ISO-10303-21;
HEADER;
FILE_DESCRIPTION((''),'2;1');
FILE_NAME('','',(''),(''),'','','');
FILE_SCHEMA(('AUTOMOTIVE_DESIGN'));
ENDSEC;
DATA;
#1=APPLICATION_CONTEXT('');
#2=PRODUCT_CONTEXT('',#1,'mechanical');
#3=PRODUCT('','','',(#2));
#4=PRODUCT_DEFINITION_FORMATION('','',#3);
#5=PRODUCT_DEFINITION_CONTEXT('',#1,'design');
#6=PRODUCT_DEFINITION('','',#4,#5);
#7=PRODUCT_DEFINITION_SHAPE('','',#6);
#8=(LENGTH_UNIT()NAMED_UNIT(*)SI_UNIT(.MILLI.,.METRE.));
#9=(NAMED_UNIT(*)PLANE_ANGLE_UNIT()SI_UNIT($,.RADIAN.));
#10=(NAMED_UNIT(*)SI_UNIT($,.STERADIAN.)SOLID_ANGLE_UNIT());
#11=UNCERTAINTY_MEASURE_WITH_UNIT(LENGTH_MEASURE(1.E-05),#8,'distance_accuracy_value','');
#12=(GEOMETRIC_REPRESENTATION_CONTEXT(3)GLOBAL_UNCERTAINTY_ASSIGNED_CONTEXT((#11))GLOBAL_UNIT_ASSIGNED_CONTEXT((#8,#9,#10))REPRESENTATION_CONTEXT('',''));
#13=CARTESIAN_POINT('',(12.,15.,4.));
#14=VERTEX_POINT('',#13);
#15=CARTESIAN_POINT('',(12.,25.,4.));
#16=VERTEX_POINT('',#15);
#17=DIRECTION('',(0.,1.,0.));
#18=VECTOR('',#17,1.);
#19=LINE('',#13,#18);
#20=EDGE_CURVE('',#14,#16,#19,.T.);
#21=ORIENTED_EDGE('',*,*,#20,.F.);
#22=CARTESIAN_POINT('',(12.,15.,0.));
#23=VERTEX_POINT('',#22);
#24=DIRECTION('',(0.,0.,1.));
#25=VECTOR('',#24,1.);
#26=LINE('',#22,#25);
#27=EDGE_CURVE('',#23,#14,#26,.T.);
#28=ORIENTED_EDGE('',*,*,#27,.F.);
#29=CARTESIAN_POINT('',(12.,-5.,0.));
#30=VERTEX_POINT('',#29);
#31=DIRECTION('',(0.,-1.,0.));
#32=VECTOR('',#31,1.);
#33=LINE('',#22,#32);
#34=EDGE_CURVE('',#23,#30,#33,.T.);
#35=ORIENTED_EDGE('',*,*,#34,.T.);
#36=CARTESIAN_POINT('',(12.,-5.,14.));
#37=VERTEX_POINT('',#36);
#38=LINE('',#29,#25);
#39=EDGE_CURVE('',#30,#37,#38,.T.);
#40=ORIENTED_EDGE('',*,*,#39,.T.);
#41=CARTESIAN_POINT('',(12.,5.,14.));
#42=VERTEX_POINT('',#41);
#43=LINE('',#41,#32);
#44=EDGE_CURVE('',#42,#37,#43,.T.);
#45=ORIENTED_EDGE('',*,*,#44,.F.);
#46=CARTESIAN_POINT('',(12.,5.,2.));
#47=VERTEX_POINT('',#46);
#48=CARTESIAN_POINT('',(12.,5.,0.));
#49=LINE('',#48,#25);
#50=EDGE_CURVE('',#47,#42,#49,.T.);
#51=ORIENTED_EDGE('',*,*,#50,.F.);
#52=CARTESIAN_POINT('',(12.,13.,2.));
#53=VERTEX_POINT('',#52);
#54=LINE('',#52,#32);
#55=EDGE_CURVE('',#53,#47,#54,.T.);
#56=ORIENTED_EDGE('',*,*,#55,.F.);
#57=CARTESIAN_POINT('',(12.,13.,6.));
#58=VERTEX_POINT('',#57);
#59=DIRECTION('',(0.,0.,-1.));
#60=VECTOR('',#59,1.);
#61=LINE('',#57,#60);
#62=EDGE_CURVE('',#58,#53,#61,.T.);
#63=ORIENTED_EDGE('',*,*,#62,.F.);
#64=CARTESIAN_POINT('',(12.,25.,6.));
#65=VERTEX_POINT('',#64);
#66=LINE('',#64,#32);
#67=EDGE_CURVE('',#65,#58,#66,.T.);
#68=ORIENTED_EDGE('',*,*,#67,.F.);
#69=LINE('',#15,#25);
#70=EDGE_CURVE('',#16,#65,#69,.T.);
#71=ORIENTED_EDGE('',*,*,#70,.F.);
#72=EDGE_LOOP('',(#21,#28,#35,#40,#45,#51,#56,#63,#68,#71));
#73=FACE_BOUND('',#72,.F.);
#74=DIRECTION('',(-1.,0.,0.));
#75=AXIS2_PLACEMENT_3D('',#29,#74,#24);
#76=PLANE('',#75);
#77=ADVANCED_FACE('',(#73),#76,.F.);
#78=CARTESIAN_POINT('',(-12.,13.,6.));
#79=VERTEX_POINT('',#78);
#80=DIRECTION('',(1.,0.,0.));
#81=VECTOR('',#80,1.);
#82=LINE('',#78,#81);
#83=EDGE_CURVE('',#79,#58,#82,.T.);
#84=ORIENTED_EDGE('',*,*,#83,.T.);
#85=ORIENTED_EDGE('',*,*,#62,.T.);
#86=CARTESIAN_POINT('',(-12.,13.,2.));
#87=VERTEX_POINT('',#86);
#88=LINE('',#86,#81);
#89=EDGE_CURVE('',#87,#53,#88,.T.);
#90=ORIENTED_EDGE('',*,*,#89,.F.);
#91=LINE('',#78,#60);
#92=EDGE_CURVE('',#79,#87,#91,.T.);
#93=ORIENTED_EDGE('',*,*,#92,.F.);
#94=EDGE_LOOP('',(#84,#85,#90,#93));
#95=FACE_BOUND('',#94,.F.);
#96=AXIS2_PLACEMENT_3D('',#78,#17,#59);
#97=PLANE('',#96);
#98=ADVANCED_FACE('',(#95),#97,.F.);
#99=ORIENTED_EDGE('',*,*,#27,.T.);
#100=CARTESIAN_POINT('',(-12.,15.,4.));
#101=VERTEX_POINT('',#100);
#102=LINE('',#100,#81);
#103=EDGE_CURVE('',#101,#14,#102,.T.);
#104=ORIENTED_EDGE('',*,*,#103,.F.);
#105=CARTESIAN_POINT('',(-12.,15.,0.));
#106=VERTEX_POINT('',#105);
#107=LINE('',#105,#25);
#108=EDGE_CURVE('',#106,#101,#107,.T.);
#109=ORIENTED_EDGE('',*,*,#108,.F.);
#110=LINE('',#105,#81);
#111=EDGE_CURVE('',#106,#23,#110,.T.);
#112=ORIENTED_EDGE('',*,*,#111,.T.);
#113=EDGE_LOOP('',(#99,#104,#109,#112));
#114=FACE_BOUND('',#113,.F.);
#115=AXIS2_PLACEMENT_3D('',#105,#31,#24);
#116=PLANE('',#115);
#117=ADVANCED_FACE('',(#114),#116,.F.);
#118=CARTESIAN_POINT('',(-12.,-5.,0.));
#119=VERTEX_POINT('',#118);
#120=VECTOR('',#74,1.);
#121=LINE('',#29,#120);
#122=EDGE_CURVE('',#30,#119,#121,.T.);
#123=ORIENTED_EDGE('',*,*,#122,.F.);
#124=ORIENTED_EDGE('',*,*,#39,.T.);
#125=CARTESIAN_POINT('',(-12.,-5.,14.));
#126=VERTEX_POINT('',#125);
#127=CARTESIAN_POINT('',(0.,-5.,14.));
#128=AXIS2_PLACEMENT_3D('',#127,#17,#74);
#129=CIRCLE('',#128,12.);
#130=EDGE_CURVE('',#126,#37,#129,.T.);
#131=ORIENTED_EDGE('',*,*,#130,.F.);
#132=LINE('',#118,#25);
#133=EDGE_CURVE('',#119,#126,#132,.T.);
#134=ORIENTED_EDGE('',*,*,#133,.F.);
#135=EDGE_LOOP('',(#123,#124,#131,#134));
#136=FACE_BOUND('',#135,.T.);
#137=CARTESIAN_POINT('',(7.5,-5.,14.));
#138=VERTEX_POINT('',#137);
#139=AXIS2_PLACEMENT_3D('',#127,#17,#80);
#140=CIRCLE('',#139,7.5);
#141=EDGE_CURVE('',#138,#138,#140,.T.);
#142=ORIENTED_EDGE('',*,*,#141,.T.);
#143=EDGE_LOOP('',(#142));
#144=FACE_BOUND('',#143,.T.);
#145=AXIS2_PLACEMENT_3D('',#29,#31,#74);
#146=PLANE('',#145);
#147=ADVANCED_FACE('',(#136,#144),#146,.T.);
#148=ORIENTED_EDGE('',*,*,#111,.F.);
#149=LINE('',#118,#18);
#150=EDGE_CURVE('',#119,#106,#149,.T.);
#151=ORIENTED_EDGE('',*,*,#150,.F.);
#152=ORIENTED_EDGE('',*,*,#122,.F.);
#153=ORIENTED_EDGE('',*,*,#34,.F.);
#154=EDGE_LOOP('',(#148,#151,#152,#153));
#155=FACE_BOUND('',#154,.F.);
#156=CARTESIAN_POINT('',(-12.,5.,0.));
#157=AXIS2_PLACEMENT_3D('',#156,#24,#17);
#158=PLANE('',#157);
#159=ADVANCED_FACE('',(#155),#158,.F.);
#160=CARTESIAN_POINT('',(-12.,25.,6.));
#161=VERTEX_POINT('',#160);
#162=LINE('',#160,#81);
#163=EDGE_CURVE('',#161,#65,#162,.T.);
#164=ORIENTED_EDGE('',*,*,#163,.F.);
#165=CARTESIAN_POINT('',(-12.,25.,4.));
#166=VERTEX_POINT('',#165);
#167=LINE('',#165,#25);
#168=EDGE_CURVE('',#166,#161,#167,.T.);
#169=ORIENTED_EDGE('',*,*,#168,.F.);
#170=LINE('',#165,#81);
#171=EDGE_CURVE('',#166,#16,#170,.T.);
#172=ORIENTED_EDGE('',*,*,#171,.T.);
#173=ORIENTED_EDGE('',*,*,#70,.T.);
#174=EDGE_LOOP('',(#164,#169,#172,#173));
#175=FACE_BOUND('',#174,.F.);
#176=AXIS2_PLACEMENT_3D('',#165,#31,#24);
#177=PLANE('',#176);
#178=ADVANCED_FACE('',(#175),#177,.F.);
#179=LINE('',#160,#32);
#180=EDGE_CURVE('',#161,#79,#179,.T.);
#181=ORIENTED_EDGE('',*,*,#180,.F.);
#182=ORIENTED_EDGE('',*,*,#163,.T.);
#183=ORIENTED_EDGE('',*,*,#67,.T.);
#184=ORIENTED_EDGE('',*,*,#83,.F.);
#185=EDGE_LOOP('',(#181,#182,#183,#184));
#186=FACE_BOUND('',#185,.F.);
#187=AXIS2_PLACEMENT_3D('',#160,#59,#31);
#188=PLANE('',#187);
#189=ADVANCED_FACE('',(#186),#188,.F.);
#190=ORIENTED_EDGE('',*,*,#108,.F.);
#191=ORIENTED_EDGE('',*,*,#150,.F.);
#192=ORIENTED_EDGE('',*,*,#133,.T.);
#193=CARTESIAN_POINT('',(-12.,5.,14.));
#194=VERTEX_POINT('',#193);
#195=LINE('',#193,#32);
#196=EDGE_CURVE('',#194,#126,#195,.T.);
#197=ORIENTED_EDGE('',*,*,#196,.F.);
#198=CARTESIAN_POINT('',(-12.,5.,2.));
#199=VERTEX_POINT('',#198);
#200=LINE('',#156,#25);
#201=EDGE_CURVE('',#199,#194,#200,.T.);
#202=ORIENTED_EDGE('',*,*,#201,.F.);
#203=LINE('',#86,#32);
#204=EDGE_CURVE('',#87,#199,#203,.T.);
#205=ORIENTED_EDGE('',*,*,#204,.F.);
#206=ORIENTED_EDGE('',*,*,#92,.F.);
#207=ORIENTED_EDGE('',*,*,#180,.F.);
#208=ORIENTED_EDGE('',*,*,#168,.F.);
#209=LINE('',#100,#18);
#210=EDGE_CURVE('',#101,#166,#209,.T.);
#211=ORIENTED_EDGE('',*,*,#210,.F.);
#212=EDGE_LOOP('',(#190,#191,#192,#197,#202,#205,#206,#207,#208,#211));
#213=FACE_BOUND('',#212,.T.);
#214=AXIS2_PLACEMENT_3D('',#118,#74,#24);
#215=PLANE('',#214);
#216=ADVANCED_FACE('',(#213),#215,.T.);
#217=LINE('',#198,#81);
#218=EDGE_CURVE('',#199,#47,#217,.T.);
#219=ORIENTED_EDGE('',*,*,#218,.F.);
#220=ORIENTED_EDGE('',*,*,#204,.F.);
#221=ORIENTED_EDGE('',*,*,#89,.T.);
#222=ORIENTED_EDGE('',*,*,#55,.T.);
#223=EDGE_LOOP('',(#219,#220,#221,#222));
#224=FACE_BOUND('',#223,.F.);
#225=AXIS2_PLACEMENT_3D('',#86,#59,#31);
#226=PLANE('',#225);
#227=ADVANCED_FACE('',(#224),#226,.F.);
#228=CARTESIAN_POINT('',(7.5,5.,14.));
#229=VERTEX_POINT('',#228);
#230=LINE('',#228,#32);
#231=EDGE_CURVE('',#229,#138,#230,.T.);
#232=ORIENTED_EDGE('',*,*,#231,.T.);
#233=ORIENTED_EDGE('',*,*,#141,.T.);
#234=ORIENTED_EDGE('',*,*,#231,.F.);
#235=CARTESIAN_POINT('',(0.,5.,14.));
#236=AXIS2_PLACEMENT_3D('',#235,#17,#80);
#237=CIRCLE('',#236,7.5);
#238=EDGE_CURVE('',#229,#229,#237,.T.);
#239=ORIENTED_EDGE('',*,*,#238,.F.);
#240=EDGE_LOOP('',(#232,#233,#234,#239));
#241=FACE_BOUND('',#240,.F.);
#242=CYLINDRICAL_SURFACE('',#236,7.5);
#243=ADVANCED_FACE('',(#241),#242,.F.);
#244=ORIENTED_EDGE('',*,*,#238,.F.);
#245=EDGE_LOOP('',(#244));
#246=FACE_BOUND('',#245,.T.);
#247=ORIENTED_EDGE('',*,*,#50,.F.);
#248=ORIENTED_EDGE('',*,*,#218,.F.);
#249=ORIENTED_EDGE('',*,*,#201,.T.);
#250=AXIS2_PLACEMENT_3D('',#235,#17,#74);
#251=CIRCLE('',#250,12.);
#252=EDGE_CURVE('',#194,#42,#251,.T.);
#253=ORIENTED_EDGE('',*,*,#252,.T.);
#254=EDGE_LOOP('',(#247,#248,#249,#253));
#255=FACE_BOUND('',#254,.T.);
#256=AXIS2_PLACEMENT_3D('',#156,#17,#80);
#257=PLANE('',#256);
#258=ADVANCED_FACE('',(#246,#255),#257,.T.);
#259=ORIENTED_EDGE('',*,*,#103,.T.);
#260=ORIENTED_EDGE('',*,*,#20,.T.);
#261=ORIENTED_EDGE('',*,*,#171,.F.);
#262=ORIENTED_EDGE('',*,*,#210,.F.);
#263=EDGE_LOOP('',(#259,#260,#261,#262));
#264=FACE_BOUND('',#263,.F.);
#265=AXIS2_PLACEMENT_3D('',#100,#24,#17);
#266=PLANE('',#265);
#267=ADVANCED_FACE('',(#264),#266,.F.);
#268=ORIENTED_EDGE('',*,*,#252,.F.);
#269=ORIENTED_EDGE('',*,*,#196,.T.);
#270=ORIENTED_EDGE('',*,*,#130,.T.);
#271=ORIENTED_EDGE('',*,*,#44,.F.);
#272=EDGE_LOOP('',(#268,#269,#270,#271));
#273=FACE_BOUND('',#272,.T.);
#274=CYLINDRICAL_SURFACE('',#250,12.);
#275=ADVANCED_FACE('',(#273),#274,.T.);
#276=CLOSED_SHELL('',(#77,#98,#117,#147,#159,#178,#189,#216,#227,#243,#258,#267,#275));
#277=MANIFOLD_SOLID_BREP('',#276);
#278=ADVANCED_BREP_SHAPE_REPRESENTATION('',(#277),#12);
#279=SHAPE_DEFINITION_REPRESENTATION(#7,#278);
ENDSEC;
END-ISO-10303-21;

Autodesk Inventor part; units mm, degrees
ref_plane "YZ Plane" through (0, 0, 0) normal (1, 0, 0) x (0, 1, 0)
ref_plane "XZ Plane" through (0, 0, 0) normal (0, 1, 0) x (-1, 0, 0)
ref_plane "XY Plane" through (0, 0, 0) normal (0, 0, 1) x (1, 0, 0)
sketch "Sketch1" plane through (0, 0, 0) normal (0, 0, 1) x (1, 0, 0)
  line L0 (-12, 5) -> (12, 5)
  line L1 (12, 5) -> (12, -5)
  line L2 (12, -5) -> (-12, -5)
  line L3 (-12, -5) -> (-12, 5)
  point P0 (0, 0)
  dimension "d0" = 24
  dimension "d1" = 10
  dimension "d2" = 5
  dimension "d3" = 12
extrude "Extrusion1" add sketch "Sketch1" along normal blind 28
sketch "Sketch2" plane through (-12, 5, 0) normal (0, 1, 0) x (1, 0, 0)
  line L0 (0, 0) -> (24, 0) projected
  line L1 (0, 0) -> (0, -28) projected
  line L2 (24, -28) -> (0, -28) projected
  line L3 (24, 0) -> (24, -28) projected
  circle A0 centre (12, -14) radius 7.5
  point P0 (12, 0)
  dimension "d6" = 15
  dimension "d7" = 28
  dimension "d8" = 24
  dimension "d9" = 12
  dimension "d10" = 14
extrude "Extrusion2" cut sketch "Sketch2" against normal up to next contours A0
sketch "Sketch7" plane through (-12, 5, 28) normal (0, 1, 0) x (1, 0, 0)
  circle A0 centre (12, 14) radius 7.5 projected
  line L0 (0, 28) -> (0, 0) projected
  line L1 (24, 0) -> (0, 0) projected
  line L2 (24, 28) -> (24, 0) projected
  arc A1 (0, 14) -> (24, 14) centre (12, 14) ccw
  line L3 (24, 32) -> (24, 0) projected
  line L4 (24, 32) -> (24, 0) projected
  line L5 (24, 14) -> (24, 0)
  line L6 (24, 0) -> (0, 0)
  line L7 (24, 0) -> (0, 0) projected
  line L8 (0, 0) -> (0, 14)
  line L9 (0, 32) -> (0, 0) projected
  line L10 (0, 28) -> (24, 28) projected
  point P0 (12, 28)
extrude "Extrusion6" cut sketch "Sketch7" against normal blind 20 contours A1 L2 L1 L0
sketch "Sketch9" plane through (-12, -5, 0) normal (-1, 0, 0) x (0, 0, 1)
  line L0 (14, 0) -> (14, 10) construction
  line L1 (0, 10) -> (14, 10) construction
  line L2 (0, 0) -> (0, 10) construction
  line L3 (0, 0) -> (14, 0) construction
  line L4 (0, 10) -> (14, 10) projected
  line L5 (0, 10) -> (0, 20)
  line L6 (0, 20) -> (4, 20)
  line L7 (4, 20) -> (4, 30)
  line L8 (4, 30) -> (6, 30)
  line L9 (6, 30) -> (6, 18)
  line L10 (6, 18) -> (2, 18)
  line L11 (2, 18) -> (2, 10)
  line L12 (0, 10) -> (2, 10)
  point P0 (0, 5)
  dimension "d32" = 10
  dimension "d33" = 4
  dimension "d34" = 10
  dimension "d35" = 2
  dimension "d36" = 2
  dimension "d37" = 2
extrude "Extrusion8" add sketch "Sketch9" against normal up to surface (24 mm away)
equation "\"d2\" = 0.5 * d1"
equation "\"d3\" = 0.5 * d0"
equation "\"d9\" = 0.5 * d8"
equation "\"d10\" = 0.5 * d7"
properties part number "ProbeMount"
